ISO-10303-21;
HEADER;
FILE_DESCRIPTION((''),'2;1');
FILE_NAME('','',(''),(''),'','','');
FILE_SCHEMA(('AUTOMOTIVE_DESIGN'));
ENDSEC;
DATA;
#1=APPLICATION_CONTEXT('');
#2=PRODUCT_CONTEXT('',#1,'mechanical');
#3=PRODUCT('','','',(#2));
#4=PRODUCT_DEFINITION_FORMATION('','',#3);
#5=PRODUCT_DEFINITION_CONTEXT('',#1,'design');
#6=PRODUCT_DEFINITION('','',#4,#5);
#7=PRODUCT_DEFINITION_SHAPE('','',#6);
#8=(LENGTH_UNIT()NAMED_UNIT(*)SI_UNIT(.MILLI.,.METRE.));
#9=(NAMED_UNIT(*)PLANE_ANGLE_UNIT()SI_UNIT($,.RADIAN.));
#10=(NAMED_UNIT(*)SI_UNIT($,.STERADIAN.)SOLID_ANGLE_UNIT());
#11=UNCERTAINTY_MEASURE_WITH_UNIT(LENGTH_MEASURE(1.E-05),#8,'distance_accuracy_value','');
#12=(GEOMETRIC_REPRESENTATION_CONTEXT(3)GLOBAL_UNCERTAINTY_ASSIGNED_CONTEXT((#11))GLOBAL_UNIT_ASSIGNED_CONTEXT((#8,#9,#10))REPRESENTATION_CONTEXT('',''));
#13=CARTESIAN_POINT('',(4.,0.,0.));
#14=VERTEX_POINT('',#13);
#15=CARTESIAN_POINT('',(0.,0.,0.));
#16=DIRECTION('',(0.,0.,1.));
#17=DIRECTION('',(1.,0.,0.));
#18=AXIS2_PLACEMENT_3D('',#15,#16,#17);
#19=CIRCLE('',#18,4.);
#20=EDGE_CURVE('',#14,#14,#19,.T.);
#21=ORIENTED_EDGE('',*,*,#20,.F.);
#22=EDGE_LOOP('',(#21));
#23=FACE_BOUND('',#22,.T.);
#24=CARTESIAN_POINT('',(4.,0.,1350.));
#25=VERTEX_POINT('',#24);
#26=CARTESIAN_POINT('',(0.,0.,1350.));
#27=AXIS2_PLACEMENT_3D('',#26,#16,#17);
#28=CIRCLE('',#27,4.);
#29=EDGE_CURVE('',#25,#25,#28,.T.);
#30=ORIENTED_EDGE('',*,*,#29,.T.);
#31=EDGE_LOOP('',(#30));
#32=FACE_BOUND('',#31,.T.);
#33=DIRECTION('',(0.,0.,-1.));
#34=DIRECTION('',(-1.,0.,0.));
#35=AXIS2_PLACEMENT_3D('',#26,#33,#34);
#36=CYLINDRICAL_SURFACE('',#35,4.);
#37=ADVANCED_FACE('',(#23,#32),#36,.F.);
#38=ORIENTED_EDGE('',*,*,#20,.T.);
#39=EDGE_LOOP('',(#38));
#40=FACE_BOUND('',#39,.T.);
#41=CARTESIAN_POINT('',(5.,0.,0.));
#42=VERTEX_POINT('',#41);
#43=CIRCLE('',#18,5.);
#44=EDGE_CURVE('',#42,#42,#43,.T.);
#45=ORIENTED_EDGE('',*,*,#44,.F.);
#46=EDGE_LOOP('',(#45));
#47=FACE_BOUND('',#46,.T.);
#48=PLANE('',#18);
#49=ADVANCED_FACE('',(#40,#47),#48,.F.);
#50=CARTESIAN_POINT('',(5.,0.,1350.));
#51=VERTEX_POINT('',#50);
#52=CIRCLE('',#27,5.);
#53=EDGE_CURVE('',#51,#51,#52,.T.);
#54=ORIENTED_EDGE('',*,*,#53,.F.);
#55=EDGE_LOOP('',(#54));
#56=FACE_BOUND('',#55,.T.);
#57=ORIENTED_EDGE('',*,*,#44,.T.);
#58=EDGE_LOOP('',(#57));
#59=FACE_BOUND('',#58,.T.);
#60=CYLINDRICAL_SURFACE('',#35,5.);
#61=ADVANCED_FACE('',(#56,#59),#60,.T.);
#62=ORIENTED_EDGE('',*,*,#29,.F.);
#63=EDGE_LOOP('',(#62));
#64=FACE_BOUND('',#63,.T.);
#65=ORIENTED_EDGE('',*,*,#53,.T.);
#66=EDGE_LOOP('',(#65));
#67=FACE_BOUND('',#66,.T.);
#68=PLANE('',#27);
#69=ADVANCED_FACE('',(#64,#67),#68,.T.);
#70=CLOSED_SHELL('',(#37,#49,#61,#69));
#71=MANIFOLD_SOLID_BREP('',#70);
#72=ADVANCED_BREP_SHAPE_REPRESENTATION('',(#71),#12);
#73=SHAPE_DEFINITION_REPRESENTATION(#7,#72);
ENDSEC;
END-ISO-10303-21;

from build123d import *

# Parameters (mm, degrees)
SKETCH_1_R      = 5
SKETCH_1_R_2    = 4
EXTRUDE_1_DEPTH = 1350


with BuildPart() as part:
    # Эскиз1 → Бобышка-Вытянуть1 (new body)
    with BuildSketch(Plane.XY):
        Circle(SKETCH_1_R)
        Circle(SKETCH_1_R_2, mode=Mode.SUBTRACT)
    extrude(amount=EXTRUDE_1_DEPTH)


solid = part.part
